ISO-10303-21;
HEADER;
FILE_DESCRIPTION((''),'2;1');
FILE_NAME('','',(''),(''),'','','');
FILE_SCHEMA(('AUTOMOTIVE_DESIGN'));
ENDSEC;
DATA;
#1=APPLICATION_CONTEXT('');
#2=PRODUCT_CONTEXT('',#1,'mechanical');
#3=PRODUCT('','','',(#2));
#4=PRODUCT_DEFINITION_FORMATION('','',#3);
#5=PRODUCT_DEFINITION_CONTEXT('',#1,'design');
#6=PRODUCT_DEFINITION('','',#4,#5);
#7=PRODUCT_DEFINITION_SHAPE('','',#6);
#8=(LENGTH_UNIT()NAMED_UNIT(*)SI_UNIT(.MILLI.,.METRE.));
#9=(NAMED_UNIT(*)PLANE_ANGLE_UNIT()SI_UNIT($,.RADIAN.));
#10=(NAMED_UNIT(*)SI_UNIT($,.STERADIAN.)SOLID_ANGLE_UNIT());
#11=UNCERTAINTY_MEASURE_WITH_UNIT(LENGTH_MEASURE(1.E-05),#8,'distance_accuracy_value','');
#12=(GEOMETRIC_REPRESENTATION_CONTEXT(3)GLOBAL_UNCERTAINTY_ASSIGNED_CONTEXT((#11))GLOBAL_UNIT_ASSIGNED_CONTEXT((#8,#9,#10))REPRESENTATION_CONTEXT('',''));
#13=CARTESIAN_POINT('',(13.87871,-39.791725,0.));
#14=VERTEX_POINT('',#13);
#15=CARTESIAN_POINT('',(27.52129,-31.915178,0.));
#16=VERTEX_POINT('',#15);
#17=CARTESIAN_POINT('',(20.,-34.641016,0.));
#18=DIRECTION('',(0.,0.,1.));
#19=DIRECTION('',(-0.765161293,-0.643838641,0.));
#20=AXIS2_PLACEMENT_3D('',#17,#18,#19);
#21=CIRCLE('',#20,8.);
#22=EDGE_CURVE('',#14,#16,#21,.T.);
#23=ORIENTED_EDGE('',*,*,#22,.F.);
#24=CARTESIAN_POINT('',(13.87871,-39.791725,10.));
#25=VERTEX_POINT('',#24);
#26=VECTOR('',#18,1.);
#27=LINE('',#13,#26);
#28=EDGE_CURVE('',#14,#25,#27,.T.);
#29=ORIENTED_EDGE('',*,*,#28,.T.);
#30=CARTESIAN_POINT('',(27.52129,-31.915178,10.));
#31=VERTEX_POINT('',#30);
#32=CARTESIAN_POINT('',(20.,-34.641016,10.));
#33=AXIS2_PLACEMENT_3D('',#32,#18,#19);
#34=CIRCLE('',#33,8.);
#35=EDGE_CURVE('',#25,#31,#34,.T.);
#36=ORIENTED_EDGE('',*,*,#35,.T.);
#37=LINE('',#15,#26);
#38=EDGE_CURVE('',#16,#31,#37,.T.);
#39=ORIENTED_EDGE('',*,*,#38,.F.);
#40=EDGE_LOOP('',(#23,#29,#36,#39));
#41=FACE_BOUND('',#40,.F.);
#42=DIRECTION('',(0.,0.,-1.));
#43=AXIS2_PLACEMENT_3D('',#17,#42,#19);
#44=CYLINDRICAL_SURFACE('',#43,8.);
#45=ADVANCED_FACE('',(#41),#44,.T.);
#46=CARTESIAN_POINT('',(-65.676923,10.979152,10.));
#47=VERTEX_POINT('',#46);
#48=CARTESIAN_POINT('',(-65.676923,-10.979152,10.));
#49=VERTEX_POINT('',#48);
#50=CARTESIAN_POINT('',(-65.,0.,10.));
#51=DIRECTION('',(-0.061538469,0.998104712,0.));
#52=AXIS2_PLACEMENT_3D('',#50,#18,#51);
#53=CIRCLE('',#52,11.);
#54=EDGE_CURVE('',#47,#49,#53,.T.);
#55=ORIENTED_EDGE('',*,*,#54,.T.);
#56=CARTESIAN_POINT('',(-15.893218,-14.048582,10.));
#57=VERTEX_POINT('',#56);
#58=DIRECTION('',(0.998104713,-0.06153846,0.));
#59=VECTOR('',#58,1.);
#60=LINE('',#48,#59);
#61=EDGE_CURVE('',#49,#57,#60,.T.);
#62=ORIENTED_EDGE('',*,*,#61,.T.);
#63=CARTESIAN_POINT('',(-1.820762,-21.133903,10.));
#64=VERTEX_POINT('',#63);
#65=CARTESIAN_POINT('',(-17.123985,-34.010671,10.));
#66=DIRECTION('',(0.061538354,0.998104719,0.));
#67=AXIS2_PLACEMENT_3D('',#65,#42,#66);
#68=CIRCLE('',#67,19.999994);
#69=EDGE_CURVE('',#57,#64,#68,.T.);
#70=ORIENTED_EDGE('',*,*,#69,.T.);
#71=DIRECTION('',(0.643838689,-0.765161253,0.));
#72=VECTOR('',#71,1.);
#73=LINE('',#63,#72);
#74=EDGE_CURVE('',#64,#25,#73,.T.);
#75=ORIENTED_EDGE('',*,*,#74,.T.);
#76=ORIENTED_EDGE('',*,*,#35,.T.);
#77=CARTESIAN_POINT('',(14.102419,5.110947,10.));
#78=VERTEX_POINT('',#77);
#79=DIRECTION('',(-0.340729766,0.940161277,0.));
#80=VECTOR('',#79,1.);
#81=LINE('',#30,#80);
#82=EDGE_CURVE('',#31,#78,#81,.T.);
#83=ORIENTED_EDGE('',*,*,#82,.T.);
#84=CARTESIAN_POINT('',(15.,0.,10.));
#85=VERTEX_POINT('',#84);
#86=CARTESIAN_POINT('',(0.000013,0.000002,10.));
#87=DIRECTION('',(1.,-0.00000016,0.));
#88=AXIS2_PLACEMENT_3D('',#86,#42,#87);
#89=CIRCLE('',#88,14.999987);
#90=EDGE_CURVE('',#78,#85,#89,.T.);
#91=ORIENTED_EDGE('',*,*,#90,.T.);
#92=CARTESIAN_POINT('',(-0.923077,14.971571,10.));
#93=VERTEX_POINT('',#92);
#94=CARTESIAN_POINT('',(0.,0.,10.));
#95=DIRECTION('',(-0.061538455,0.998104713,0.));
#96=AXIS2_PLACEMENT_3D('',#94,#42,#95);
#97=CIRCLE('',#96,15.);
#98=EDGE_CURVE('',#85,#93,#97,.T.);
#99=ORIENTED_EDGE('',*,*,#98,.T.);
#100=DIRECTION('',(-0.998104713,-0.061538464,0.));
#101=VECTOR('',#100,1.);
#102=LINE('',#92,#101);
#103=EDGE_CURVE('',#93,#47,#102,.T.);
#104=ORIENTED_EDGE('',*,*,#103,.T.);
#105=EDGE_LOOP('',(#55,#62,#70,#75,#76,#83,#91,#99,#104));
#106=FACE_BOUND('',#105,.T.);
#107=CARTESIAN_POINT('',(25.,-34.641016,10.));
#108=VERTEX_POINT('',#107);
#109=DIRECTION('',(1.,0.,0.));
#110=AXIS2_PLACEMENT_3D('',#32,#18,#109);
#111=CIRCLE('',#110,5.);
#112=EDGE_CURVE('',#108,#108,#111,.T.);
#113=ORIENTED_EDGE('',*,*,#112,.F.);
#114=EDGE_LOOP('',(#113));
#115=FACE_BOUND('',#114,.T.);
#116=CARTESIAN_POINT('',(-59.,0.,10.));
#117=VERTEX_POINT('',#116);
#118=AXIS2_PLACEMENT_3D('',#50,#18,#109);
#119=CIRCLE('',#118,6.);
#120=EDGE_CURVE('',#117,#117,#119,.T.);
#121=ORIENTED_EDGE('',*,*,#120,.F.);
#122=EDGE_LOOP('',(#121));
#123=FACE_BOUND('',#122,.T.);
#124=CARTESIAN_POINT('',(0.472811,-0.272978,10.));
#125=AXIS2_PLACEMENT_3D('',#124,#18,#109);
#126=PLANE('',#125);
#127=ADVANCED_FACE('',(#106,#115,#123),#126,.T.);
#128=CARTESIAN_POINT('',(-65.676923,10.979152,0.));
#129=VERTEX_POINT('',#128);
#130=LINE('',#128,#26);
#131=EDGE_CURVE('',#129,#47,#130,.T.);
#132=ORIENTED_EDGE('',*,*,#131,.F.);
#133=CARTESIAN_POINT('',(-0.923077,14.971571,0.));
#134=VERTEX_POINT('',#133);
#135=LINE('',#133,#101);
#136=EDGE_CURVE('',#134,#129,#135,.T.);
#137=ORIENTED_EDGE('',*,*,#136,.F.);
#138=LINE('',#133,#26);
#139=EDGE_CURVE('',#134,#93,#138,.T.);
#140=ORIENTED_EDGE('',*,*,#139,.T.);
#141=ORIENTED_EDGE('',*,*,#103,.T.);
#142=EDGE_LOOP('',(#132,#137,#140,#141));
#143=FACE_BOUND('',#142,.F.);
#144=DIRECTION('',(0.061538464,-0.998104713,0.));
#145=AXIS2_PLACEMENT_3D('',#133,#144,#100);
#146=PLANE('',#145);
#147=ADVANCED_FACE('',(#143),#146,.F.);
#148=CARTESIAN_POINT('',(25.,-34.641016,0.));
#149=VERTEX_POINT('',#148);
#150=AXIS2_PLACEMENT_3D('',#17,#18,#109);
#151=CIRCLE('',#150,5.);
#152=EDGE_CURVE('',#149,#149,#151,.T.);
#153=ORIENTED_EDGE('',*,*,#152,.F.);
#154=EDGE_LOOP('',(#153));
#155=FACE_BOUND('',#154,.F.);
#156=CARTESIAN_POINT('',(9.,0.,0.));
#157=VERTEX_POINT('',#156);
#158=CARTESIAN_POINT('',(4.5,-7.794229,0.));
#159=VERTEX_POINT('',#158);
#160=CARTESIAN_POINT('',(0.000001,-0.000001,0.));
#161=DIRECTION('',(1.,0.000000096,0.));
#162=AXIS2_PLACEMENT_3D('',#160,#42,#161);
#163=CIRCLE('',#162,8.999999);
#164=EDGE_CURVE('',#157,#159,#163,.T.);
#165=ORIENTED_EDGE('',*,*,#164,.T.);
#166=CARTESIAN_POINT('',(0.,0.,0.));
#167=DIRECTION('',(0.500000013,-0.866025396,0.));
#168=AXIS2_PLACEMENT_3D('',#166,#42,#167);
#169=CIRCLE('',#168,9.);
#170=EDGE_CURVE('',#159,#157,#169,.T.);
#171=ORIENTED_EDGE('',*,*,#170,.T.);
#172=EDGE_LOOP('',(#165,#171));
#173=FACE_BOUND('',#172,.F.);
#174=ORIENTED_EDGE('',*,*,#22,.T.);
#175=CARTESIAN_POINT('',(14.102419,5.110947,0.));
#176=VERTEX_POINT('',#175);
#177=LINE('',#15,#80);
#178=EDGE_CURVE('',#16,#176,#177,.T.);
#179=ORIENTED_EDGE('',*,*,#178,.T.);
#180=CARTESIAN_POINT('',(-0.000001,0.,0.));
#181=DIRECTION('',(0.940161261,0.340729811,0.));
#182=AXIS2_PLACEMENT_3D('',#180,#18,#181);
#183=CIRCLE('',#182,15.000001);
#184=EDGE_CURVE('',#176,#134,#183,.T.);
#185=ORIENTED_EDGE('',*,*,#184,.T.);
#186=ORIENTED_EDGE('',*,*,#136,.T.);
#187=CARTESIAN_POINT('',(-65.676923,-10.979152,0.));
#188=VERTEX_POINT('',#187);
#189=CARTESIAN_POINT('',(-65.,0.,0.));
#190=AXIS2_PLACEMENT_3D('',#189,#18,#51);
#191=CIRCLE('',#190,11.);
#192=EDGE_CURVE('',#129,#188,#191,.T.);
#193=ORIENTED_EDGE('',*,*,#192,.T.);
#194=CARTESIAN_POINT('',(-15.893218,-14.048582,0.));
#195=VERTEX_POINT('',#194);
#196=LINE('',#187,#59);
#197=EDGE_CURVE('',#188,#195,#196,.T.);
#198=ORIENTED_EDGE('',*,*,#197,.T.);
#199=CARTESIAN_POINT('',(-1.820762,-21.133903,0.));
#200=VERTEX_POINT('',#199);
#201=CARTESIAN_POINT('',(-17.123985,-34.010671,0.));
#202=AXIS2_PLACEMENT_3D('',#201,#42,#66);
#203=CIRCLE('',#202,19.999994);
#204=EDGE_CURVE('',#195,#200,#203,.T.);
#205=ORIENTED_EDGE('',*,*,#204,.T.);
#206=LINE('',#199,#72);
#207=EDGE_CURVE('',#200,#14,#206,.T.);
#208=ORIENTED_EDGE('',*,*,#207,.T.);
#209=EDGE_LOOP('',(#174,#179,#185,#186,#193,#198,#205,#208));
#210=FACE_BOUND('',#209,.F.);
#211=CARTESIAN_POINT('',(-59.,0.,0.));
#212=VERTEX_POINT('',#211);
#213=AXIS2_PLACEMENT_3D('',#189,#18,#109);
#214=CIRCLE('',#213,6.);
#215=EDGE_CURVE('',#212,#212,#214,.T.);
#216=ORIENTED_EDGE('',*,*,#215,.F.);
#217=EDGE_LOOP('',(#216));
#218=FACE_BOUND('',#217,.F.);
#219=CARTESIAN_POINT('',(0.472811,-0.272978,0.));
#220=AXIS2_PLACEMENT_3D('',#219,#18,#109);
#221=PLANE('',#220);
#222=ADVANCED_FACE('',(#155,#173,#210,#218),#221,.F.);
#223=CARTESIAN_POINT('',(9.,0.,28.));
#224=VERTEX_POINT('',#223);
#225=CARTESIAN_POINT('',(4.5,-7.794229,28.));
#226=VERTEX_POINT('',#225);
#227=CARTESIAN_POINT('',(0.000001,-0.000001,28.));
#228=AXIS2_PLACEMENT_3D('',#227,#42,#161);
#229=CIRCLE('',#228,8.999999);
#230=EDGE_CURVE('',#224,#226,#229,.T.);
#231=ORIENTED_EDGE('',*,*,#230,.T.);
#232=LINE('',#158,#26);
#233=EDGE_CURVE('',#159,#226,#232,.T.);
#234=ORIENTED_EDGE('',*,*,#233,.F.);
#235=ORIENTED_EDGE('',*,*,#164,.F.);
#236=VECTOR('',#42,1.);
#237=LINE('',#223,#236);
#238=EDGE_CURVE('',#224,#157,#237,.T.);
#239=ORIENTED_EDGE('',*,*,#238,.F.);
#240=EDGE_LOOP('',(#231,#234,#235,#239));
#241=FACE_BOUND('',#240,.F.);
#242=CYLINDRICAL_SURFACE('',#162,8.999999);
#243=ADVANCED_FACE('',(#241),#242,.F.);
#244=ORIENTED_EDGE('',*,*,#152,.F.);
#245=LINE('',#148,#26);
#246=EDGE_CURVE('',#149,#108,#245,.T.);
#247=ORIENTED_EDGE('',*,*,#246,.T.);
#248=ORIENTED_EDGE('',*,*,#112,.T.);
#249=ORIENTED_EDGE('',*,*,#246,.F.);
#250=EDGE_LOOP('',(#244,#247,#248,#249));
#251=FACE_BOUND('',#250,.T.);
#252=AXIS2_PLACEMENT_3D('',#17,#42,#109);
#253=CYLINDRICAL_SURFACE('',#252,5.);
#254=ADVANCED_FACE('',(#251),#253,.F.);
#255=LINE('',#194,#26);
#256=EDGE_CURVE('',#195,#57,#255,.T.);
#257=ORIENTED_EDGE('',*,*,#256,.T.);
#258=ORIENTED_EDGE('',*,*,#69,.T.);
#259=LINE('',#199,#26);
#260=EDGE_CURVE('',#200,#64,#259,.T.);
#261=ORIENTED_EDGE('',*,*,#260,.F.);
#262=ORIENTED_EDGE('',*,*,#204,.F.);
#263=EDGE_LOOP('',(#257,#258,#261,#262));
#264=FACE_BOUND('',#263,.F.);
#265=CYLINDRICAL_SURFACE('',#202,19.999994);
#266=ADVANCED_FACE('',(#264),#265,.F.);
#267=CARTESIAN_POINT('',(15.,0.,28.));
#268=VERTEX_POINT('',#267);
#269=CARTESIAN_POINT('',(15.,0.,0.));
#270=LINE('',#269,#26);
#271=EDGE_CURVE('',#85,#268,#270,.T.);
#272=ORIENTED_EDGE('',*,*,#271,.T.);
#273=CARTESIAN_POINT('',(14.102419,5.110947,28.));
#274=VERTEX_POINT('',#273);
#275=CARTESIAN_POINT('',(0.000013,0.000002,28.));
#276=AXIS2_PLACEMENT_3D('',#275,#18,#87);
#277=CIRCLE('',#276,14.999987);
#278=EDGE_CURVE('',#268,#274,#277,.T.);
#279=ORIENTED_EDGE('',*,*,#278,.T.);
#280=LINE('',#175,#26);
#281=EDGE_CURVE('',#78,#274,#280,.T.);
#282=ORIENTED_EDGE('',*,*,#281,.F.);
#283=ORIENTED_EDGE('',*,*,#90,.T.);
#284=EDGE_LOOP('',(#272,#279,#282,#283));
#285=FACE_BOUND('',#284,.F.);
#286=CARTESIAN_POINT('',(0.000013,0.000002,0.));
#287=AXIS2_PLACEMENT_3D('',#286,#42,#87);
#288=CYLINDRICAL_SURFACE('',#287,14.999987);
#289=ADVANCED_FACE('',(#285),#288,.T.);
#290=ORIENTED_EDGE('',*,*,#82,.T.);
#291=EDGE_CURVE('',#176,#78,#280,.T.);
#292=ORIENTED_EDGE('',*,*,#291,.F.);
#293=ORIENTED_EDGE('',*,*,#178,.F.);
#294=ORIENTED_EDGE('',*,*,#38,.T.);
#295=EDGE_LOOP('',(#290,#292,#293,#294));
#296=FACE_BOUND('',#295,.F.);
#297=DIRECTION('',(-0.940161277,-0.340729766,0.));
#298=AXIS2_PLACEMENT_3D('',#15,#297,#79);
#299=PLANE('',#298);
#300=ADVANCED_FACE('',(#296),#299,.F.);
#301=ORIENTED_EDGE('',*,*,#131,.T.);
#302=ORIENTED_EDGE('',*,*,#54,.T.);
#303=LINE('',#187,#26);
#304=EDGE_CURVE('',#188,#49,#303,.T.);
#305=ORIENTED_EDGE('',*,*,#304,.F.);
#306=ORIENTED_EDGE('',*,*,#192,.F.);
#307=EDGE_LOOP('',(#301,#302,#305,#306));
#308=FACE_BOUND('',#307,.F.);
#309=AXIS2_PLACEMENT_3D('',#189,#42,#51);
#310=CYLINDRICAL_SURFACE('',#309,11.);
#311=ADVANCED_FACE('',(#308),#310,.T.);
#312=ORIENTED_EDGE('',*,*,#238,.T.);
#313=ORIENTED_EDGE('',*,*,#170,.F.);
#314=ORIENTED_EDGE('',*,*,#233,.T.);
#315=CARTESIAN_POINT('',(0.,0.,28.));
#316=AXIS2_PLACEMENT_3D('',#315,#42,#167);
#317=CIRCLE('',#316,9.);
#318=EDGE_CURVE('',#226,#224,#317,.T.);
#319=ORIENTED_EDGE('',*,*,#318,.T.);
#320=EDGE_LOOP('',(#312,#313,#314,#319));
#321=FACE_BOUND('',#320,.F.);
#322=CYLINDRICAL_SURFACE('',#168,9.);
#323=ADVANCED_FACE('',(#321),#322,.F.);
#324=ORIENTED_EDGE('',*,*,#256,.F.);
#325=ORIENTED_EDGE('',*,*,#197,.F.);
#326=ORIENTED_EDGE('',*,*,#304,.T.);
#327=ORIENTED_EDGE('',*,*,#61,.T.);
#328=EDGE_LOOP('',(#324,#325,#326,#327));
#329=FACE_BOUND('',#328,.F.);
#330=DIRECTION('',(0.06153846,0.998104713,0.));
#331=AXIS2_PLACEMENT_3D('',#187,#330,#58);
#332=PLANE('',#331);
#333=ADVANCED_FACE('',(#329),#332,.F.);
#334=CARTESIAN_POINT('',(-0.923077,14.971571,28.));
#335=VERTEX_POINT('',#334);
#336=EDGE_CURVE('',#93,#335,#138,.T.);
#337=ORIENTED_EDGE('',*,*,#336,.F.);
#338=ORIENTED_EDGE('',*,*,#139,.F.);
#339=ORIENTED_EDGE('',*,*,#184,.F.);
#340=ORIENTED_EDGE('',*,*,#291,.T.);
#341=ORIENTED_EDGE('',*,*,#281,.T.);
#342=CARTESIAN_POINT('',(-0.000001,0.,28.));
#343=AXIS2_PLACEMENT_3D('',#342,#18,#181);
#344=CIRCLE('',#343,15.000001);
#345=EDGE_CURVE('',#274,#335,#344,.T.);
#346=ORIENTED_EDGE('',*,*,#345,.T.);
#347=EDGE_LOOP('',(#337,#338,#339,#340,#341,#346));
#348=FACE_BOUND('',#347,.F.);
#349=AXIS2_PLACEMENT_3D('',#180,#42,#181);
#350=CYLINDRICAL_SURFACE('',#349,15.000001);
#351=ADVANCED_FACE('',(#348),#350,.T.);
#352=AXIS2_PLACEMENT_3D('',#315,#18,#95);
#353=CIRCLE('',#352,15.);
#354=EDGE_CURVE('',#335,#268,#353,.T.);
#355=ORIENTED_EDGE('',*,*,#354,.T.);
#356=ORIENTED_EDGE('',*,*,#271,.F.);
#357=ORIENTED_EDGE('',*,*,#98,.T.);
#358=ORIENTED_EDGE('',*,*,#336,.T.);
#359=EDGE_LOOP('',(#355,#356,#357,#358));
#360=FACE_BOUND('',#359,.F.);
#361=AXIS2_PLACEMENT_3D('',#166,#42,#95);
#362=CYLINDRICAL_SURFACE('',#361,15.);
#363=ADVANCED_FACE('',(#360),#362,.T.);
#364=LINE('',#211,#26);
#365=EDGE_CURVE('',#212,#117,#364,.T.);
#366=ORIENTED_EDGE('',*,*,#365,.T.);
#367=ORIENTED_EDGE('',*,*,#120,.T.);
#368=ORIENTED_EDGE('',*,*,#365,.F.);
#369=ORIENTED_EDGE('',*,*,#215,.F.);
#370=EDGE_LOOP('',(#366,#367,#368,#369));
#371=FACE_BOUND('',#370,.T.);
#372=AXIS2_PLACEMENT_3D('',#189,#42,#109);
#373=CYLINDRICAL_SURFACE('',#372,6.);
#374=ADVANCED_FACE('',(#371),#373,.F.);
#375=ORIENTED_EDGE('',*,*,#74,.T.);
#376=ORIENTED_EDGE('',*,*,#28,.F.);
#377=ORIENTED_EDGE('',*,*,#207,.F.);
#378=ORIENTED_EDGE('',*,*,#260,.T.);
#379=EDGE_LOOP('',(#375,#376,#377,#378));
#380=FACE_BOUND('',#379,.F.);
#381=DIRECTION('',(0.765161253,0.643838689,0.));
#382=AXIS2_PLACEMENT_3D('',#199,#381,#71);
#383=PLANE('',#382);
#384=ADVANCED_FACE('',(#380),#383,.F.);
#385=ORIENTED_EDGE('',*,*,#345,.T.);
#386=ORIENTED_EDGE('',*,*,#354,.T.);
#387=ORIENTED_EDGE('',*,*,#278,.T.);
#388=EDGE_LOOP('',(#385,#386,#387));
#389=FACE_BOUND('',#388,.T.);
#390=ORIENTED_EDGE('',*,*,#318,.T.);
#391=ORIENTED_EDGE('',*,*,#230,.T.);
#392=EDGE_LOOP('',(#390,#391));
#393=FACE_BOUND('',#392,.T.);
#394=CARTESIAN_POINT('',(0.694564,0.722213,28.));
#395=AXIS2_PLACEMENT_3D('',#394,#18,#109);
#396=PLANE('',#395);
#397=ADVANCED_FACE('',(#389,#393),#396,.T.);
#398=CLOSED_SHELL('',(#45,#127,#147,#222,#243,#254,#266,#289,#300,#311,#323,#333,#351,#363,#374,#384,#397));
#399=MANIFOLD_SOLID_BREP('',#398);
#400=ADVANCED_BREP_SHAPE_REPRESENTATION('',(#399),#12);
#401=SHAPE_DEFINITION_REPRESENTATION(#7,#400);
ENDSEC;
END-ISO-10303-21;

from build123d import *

# Parameters (mm, degrees)
F0_R     = 5
F0_R_2   = 6
F1_DEPTH = 10
F2_DEPTH = 28


with BuildPart() as f1:
    # F0 (on Top) → F1 (new body)
    with BuildSketch(Plane.XY):
        with BuildLine():
            ThreePointArc((4.5, -7.794229), (7.794229, -4.5), (9, 0))
            ThreePointArc((9, 0), (-7.794229, 4.5), (4.5, -7.794229))
        make_face()
        with BuildLine():
            ThreePointArc((-0.923077, 14.971571), (-10.275063, -10.928087), (15, 0))
            ThreePointArc((15, 0), (14.773901, 2.594582), (14.102419, 5.110947))
            ThreePointArc((14.102419, 5.110947), (8.22993, 12.540664), (-0.923077, 14.971571))
        make_face()
        with BuildLine():
            ThreePointArc((4.5, -7.794229), (-7.794229, 4.5), (9, 0))
            ThreePointArc((9, 0), (7.794229, -4.5), (4.5, -7.794229))
        make_face(mode=Mode.SUBTRACT)
        with BuildLine():
            ThreePointArc((14.102419, 5.110947), (14.773901, 2.594582), (15, 0))
            ThreePointArc((15, 0), (-10.275063, -10.928087), (-0.923077, 14.971571))
            Line((-0.923077, 14.971571), (-65.676923, 10.979152))
            ThreePointArc((-65.676923, 10.979152), (-76, 0), (-65.676923, -10.979152))
            Line((-65.676923, -10.979152), (-15.893218, -14.048582))
            ThreePointArc((-15.893218, -14.048582), (-8.129895, -16.147129), (-1.820762, -21.133903))
            Line((-1.820762, -21.133903), (13.87871, -39.791725))
            ThreePointArc((13.87871, -39.791725), (24, -41.569219), (27.52129, -31.915178))
            Line((27.52129, -31.915178), (14.102419, 5.110947))
        make_face()
        with Locations((20, -34.641016)):
            Circle(F0_R, mode=Mode.SUBTRACT)
        with Locations((-65, 0)):
            Circle(F0_R_2, mode=Mode.SUBTRACT)
    extrude(amount=F1_DEPTH)

    # F0 (on Top) → F2 (join)
    with BuildSketch(Plane.XY):
        with BuildLine():
            ThreePointArc((-0.923077, 14.971571), (-10.275063, -10.928087), (15, 0))
            ThreePointArc((15, 0), (14.773901, 2.594582), (14.102419, 5.110947))
            ThreePointArc((14.102419, 5.110947), (8.22993, 12.540664), (-0.923077, 14.971571))
        make_face()
        with BuildLine():
            ThreePointArc((4.5, -7.794229), (-7.794229, 4.5), (9, 0))
            ThreePointArc((9, 0), (7.794229, -4.5), (4.5, -7.794229))
        make_face(mode=Mode.SUBTRACT)
    extrude(amount=F2_DEPTH)


solid = f1.part
